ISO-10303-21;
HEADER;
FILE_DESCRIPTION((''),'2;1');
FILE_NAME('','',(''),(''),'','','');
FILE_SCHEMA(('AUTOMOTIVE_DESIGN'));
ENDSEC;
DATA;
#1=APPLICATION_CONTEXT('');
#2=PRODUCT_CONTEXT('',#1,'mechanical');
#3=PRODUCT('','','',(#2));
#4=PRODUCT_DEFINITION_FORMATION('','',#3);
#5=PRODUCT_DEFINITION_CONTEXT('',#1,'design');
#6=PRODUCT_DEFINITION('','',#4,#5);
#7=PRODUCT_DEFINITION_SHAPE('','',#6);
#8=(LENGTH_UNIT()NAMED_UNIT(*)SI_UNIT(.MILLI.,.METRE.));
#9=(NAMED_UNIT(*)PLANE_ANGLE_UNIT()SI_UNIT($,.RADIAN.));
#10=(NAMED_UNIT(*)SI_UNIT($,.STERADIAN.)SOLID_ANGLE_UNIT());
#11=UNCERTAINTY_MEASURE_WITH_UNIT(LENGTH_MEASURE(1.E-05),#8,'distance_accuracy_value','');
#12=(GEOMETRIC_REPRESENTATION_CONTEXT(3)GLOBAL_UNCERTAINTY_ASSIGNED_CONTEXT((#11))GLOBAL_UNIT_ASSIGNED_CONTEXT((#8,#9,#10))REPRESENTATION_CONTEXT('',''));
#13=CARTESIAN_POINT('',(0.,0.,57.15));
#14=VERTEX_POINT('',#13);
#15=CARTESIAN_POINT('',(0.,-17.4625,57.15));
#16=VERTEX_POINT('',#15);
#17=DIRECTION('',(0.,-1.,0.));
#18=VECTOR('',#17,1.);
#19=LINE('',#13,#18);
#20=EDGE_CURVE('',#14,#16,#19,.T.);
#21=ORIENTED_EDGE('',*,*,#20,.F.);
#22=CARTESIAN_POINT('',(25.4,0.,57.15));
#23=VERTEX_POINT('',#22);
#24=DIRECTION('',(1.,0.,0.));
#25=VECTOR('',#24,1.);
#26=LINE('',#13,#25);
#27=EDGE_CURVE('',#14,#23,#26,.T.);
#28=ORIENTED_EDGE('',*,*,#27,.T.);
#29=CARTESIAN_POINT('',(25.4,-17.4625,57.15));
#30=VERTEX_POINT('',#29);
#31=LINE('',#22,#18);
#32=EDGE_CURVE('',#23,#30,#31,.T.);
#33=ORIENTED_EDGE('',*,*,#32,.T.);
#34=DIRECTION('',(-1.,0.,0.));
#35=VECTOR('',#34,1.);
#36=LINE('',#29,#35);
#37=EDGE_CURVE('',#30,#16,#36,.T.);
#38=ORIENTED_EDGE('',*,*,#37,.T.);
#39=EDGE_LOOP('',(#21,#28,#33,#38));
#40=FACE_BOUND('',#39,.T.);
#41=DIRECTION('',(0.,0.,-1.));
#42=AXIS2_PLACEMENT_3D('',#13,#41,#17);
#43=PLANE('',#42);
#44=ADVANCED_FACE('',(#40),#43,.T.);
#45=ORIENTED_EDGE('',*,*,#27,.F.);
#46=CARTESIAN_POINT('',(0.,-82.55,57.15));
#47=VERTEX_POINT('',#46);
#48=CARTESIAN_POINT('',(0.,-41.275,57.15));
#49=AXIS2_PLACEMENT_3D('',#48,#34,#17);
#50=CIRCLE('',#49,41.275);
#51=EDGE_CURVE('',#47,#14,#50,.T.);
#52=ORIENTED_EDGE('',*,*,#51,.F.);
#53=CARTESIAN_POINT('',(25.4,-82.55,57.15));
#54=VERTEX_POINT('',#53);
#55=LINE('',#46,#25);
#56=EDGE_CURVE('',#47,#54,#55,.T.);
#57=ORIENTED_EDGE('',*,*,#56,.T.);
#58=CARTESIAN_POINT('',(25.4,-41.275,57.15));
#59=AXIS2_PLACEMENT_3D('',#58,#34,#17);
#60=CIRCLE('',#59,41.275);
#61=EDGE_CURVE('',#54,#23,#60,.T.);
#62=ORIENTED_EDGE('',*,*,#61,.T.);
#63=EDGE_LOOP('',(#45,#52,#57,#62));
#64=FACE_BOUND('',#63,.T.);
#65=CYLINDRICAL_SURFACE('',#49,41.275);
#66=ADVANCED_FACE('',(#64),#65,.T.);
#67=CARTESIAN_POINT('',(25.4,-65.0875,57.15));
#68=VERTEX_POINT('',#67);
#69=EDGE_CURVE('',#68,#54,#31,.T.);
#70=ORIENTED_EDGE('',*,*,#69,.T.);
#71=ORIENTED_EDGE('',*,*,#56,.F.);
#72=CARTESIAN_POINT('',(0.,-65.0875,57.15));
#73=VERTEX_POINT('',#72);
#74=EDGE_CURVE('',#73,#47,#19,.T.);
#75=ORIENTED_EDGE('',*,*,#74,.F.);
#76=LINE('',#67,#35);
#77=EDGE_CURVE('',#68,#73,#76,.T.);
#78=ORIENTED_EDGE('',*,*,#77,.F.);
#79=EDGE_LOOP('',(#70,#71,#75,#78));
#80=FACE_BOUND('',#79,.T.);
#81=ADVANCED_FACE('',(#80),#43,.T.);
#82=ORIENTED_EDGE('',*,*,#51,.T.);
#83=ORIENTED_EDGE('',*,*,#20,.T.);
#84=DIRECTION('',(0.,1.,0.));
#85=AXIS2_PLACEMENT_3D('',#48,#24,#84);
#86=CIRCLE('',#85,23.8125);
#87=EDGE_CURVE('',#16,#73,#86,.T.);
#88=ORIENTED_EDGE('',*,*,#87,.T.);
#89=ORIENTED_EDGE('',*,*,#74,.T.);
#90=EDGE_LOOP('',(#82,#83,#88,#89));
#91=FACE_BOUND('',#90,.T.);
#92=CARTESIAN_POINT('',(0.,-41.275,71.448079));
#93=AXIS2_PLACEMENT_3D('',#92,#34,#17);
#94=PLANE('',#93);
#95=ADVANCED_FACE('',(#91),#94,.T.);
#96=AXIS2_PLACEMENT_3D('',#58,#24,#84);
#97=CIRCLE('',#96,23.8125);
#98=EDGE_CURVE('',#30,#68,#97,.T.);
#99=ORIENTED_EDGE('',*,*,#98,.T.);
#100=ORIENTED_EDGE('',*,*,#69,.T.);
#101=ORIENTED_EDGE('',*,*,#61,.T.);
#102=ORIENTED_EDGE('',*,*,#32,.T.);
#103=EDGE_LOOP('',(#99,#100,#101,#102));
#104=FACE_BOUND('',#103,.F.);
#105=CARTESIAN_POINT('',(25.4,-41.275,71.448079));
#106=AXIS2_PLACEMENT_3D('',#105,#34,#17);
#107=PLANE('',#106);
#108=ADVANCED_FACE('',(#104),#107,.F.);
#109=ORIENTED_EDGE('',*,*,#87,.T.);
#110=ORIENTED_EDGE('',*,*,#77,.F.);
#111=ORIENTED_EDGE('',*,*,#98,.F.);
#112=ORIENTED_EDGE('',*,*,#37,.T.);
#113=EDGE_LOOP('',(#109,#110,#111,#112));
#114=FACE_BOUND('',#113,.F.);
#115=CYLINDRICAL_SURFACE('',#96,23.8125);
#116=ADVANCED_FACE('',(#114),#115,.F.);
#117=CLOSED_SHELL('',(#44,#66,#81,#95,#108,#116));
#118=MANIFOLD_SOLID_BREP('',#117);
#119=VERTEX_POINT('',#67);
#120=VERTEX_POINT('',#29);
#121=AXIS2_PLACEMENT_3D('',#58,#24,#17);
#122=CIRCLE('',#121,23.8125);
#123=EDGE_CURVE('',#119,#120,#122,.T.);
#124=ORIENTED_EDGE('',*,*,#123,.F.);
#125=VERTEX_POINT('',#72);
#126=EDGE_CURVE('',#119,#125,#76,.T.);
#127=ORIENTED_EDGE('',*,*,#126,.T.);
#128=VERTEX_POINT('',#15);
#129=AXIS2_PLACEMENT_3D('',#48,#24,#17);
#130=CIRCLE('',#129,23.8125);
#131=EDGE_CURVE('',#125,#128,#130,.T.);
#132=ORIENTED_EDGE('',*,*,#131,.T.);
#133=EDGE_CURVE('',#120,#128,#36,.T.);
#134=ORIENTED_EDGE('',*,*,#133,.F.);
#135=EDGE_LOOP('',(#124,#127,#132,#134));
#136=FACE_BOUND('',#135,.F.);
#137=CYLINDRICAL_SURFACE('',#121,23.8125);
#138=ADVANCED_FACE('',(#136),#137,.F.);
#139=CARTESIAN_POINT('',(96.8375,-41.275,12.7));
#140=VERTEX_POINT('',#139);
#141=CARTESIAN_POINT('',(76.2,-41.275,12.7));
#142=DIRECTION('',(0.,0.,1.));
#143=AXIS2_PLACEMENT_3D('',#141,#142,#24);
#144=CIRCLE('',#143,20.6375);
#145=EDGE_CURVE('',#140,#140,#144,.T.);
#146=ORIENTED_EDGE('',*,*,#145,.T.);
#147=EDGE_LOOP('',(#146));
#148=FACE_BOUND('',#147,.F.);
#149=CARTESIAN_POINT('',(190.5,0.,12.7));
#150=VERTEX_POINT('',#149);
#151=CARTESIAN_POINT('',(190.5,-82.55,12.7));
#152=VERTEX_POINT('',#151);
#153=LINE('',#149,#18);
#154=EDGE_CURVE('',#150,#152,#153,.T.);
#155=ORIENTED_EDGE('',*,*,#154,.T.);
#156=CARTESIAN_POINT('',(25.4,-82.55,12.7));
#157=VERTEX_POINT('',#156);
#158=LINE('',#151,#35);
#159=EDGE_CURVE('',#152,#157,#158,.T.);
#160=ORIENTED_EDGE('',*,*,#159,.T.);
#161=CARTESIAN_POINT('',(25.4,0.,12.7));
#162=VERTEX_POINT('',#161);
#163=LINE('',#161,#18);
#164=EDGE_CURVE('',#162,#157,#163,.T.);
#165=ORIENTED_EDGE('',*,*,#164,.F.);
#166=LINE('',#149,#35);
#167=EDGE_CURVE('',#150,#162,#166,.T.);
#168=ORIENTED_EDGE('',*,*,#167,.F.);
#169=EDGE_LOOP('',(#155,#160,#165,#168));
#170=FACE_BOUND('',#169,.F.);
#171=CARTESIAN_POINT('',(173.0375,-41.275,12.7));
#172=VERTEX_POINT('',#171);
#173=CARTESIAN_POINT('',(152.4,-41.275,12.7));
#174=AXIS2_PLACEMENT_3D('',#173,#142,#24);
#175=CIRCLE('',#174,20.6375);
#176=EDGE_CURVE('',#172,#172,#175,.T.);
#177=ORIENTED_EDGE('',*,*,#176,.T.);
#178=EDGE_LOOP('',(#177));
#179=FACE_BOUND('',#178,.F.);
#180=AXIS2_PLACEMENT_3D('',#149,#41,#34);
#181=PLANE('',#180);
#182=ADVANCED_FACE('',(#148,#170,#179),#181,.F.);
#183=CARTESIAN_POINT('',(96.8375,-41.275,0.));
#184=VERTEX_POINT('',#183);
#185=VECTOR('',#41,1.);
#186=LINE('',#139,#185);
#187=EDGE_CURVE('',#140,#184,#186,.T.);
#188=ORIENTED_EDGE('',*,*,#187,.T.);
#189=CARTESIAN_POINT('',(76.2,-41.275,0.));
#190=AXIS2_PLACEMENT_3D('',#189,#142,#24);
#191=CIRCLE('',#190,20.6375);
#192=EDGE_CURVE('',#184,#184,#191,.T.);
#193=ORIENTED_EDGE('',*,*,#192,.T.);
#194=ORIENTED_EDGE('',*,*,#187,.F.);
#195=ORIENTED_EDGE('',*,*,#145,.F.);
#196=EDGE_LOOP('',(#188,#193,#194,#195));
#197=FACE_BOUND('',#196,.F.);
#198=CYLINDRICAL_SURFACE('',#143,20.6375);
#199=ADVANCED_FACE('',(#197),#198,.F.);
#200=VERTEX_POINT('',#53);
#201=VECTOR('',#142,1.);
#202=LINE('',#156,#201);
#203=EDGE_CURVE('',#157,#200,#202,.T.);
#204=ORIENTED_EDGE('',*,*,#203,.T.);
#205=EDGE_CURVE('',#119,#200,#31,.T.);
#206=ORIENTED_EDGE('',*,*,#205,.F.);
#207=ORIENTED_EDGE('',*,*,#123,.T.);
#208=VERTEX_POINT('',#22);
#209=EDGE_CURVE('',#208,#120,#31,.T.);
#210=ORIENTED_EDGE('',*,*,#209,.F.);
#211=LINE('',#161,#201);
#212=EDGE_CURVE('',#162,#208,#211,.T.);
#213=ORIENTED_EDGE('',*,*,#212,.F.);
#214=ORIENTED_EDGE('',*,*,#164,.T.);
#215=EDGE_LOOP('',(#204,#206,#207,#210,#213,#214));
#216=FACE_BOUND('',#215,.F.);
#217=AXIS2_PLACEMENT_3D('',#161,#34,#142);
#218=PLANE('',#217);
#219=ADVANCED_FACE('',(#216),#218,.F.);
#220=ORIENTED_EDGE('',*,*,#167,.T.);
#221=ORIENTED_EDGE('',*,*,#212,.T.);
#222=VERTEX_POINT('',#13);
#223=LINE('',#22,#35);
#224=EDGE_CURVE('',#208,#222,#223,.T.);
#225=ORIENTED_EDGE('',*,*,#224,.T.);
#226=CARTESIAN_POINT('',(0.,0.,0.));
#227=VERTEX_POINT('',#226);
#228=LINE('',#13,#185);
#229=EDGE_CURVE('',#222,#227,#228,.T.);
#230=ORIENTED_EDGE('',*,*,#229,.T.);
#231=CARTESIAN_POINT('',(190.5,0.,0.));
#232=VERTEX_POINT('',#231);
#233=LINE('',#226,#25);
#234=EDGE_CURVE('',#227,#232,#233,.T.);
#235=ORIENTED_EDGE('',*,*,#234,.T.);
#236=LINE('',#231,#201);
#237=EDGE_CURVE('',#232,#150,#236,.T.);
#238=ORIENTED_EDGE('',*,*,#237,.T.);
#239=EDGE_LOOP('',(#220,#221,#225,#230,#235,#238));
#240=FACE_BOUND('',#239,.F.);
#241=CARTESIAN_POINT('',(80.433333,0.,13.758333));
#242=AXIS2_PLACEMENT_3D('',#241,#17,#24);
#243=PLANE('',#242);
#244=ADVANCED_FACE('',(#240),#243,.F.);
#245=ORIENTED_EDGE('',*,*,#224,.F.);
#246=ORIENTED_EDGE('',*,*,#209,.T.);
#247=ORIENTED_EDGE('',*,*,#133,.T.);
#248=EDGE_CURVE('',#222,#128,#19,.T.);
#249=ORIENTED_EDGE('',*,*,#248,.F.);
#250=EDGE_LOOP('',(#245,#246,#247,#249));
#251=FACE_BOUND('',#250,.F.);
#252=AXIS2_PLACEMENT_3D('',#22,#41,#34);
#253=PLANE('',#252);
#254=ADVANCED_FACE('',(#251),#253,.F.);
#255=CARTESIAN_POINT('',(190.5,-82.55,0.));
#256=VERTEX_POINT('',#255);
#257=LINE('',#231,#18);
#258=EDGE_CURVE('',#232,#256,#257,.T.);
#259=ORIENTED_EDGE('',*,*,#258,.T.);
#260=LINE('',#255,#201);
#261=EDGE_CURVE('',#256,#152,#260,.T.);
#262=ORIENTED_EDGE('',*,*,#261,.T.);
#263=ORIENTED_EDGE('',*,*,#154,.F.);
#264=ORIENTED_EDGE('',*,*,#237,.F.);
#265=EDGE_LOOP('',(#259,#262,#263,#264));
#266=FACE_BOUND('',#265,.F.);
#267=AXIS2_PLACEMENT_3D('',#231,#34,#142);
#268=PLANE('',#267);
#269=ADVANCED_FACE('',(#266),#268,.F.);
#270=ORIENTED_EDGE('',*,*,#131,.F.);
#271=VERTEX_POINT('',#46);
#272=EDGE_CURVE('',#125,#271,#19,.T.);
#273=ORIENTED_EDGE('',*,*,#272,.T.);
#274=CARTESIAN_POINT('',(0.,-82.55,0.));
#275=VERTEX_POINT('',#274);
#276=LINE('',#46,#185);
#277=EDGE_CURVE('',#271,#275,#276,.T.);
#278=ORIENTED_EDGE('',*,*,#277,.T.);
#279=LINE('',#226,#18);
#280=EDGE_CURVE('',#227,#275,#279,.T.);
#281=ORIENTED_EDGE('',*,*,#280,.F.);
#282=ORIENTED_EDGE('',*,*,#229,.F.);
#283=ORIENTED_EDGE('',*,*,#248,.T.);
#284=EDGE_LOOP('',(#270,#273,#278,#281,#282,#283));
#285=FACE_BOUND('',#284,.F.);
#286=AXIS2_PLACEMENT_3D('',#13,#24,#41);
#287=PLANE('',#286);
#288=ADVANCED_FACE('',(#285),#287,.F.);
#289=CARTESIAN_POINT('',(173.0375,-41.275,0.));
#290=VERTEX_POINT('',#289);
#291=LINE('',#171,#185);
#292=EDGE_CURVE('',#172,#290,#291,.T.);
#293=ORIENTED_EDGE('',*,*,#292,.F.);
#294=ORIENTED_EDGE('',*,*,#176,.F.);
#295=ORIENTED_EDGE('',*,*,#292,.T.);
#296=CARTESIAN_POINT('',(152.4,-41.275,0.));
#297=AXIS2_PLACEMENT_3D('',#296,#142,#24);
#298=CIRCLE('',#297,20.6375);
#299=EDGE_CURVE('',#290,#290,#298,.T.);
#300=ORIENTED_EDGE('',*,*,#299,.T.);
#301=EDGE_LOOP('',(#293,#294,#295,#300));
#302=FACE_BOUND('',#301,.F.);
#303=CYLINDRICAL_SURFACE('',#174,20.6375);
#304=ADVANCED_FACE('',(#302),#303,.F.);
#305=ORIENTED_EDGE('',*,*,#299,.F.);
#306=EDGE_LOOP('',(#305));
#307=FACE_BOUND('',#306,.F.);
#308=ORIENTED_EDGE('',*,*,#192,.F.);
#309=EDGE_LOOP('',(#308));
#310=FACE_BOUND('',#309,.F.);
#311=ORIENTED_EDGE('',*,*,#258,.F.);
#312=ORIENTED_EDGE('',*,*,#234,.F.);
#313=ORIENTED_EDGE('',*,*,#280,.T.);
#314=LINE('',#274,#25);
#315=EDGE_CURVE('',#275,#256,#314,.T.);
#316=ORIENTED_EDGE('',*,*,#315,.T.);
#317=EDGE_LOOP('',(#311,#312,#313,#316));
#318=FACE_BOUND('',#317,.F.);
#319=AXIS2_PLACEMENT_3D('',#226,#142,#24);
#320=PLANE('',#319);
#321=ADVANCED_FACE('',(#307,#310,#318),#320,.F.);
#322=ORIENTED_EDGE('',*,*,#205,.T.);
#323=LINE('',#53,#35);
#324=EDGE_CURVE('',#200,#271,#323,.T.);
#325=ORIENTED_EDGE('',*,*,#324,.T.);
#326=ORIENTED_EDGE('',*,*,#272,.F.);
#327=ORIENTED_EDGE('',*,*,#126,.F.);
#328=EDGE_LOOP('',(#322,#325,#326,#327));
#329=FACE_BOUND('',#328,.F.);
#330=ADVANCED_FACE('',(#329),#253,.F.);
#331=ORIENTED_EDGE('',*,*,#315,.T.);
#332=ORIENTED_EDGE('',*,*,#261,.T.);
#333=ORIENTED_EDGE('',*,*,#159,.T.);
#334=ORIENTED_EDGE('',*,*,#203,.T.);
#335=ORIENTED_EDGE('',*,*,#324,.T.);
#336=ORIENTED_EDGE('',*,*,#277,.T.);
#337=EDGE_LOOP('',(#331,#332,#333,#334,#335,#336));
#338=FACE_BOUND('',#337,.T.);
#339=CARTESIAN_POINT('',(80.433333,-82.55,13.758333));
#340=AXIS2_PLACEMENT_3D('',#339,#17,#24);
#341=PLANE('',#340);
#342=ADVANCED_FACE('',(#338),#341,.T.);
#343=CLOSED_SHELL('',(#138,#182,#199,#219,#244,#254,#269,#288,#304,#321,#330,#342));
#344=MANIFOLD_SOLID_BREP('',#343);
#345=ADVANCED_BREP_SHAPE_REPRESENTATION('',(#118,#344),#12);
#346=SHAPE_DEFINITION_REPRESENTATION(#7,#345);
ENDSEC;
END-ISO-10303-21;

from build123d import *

# Parameters (mm, degrees)
F1_DEPTH = 82.55
F2_R     = 20.6375
F3_DEPTH = 12.701
F5_DEPTH = 25.4
F7_DEPTH = 25.4
F9_DEPTH = 25.4


with BuildPart() as f1:
    # F0 (on Front) → F1 (new body)
    with BuildSketch(Plane.XZ):
        Polygon((0, 57.15), (0, 0), (190.5, 0), (190.5, 12.7), (25.4, 12.7), (25.4, 57.15), align=None)
    extrude(amount=F1_DEPTH)

    # F2 (on face) → F3 (cut, through all)
    with BuildSketch(Plane.XY.offset(12.7)):
        with Locations((76.2, -41.275)):
            Circle(F2_R)
        with Locations((152.4, -41.275)):
            Circle(F2_R)
    extrude(amount=-F3_DEPTH, mode=Mode.SUBTRACT)

    # F8 (on face) → F9 (cut)
    with BuildSketch(Plane.YZ.offset(25.4)):
        with BuildLine():
            ThreePointArc((-65.0875, 57.15), (-41.275, 33.3375), (-17.4625, 57.15))
            Line((-17.4625, 57.15), (-65.0875, 57.15))
        make_face()
    extrude(amount=-F9_DEPTH, mode=Mode.SUBTRACT)


with BuildPart() as f5:
    # F4 (on face) → F5 (new body)
    with BuildSketch(Plane(origin=(0, 0, 0), x_dir=(0, -1, 0), z_dir=(-1, 0, 0))):
        with BuildLine():
            Line((0, 57.15), (82.55, 57.15))
            ThreePointArc((82.55, 57.15), (41.275, 98.425), (0, 57.15))
        make_face()
    extrude(amount=-F5_DEPTH)

    # F6 (on face) → F7 (cut)
    with BuildSketch(Plane.YZ.offset(25.4)):
        with BuildLine():
            Line((-65.0875, 57.15), (-17.4625, 57.15))
            ThreePointArc((-17.4625, 57.15), (-41.275, 80.9625), (-65.0875, 57.15))
        make_face()
    extrude(amount=-F7_DEPTH, mode=Mode.SUBTRACT)


solid = Compound([f1.part, f5.part])
